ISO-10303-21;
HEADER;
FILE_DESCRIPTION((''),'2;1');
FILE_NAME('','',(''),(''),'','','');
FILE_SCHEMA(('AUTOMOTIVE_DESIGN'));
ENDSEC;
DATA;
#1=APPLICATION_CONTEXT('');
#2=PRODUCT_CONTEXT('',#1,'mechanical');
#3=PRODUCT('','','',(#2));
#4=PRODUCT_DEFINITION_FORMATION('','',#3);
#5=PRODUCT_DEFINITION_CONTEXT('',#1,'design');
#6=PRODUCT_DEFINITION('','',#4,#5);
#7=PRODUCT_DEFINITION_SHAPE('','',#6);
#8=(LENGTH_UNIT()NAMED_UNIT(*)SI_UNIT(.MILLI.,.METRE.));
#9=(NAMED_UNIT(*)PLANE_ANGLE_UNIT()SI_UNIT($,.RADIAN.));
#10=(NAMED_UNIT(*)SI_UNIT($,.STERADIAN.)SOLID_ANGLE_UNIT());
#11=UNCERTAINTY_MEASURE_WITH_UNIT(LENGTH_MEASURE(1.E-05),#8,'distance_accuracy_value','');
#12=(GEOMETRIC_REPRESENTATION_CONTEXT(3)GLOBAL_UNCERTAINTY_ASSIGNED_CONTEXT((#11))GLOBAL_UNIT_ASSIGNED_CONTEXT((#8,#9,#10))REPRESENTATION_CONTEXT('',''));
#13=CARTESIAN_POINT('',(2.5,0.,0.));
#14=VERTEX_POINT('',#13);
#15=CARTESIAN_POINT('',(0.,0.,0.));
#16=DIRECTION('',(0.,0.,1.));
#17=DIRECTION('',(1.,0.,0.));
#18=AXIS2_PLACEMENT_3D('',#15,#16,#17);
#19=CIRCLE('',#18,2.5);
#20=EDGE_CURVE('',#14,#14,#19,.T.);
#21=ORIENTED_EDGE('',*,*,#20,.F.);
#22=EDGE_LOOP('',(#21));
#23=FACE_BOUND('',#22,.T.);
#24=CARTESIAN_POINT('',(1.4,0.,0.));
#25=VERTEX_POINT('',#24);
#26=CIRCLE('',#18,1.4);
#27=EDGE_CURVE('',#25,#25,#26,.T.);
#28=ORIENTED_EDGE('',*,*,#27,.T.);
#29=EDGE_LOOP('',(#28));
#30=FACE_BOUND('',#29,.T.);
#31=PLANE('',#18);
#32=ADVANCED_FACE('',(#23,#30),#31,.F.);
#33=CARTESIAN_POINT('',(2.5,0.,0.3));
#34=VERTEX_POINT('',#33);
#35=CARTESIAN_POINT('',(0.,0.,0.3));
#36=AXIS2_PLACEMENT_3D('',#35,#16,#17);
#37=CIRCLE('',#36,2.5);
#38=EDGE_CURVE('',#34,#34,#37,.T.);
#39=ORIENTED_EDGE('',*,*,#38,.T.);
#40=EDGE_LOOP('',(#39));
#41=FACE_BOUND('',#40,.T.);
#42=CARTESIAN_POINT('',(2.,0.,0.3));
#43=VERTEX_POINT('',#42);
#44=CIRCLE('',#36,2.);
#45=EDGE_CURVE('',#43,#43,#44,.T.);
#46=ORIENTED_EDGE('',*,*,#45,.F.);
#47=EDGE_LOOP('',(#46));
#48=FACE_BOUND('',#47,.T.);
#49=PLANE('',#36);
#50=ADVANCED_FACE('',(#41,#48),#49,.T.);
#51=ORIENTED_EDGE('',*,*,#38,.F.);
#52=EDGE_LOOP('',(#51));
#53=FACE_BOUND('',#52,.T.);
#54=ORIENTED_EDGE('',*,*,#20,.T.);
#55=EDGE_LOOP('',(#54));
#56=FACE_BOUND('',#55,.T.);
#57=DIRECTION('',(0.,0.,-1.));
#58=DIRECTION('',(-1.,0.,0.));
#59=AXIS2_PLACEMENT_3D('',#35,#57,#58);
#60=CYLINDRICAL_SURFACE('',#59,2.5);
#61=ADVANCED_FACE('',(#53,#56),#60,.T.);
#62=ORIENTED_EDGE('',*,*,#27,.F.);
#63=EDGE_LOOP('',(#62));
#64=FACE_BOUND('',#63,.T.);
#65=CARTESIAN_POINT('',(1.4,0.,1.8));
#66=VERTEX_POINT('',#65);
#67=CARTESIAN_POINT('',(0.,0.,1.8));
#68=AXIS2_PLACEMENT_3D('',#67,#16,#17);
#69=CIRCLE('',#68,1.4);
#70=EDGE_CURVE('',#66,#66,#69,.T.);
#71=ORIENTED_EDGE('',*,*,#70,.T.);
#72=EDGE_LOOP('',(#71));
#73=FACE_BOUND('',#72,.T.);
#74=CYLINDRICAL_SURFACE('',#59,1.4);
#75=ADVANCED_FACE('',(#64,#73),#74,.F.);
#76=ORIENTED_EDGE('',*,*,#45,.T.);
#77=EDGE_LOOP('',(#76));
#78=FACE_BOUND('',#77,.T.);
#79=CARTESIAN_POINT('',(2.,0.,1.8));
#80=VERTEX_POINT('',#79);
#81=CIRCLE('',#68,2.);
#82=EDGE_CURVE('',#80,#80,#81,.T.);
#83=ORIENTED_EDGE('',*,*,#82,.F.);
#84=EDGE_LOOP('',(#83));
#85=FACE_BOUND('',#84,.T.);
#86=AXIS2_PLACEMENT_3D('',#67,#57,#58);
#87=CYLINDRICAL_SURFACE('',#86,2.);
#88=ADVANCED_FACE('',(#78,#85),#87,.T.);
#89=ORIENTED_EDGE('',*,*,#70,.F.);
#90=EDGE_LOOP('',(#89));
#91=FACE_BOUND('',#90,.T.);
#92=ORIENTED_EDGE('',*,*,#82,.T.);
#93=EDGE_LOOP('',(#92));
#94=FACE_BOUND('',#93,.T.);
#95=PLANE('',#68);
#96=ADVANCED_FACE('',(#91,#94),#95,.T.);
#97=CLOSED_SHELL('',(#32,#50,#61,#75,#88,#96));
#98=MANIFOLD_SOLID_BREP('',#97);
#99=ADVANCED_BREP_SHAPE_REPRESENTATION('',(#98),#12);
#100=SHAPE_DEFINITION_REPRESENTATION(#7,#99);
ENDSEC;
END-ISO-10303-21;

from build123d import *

# Parameters (mm, degrees)
SKETCH1_R           = 2.5
SKETCH1_R_2         = 1.4
BOSS_EXTRUDE1_DEPTH = 0.3
SKETCH2_R           = 2
SKETCH2_R_2         = 1.4
BOSS_EXTRUDE2_DEPTH = 1.5


with BuildPart() as part:
    # Sketch1 → Boss-Extrude1 (new body)
    with BuildSketch(Plane.XY):
        Circle(SKETCH1_R)
        Circle(SKETCH1_R_2, mode=Mode.SUBTRACT)
    extrude(amount=BOSS_EXTRUDE1_DEPTH)

    # Sketch2 → Boss-Extrude2 (add)
    with BuildSketch(Plane.XY.offset(0.3)):
        Circle(SKETCH2_R)
        Circle(SKETCH2_R_2, mode=Mode.SUBTRACT)
    extrude(amount=BOSS_EXTRUDE2_DEPTH)


solid = part.part
